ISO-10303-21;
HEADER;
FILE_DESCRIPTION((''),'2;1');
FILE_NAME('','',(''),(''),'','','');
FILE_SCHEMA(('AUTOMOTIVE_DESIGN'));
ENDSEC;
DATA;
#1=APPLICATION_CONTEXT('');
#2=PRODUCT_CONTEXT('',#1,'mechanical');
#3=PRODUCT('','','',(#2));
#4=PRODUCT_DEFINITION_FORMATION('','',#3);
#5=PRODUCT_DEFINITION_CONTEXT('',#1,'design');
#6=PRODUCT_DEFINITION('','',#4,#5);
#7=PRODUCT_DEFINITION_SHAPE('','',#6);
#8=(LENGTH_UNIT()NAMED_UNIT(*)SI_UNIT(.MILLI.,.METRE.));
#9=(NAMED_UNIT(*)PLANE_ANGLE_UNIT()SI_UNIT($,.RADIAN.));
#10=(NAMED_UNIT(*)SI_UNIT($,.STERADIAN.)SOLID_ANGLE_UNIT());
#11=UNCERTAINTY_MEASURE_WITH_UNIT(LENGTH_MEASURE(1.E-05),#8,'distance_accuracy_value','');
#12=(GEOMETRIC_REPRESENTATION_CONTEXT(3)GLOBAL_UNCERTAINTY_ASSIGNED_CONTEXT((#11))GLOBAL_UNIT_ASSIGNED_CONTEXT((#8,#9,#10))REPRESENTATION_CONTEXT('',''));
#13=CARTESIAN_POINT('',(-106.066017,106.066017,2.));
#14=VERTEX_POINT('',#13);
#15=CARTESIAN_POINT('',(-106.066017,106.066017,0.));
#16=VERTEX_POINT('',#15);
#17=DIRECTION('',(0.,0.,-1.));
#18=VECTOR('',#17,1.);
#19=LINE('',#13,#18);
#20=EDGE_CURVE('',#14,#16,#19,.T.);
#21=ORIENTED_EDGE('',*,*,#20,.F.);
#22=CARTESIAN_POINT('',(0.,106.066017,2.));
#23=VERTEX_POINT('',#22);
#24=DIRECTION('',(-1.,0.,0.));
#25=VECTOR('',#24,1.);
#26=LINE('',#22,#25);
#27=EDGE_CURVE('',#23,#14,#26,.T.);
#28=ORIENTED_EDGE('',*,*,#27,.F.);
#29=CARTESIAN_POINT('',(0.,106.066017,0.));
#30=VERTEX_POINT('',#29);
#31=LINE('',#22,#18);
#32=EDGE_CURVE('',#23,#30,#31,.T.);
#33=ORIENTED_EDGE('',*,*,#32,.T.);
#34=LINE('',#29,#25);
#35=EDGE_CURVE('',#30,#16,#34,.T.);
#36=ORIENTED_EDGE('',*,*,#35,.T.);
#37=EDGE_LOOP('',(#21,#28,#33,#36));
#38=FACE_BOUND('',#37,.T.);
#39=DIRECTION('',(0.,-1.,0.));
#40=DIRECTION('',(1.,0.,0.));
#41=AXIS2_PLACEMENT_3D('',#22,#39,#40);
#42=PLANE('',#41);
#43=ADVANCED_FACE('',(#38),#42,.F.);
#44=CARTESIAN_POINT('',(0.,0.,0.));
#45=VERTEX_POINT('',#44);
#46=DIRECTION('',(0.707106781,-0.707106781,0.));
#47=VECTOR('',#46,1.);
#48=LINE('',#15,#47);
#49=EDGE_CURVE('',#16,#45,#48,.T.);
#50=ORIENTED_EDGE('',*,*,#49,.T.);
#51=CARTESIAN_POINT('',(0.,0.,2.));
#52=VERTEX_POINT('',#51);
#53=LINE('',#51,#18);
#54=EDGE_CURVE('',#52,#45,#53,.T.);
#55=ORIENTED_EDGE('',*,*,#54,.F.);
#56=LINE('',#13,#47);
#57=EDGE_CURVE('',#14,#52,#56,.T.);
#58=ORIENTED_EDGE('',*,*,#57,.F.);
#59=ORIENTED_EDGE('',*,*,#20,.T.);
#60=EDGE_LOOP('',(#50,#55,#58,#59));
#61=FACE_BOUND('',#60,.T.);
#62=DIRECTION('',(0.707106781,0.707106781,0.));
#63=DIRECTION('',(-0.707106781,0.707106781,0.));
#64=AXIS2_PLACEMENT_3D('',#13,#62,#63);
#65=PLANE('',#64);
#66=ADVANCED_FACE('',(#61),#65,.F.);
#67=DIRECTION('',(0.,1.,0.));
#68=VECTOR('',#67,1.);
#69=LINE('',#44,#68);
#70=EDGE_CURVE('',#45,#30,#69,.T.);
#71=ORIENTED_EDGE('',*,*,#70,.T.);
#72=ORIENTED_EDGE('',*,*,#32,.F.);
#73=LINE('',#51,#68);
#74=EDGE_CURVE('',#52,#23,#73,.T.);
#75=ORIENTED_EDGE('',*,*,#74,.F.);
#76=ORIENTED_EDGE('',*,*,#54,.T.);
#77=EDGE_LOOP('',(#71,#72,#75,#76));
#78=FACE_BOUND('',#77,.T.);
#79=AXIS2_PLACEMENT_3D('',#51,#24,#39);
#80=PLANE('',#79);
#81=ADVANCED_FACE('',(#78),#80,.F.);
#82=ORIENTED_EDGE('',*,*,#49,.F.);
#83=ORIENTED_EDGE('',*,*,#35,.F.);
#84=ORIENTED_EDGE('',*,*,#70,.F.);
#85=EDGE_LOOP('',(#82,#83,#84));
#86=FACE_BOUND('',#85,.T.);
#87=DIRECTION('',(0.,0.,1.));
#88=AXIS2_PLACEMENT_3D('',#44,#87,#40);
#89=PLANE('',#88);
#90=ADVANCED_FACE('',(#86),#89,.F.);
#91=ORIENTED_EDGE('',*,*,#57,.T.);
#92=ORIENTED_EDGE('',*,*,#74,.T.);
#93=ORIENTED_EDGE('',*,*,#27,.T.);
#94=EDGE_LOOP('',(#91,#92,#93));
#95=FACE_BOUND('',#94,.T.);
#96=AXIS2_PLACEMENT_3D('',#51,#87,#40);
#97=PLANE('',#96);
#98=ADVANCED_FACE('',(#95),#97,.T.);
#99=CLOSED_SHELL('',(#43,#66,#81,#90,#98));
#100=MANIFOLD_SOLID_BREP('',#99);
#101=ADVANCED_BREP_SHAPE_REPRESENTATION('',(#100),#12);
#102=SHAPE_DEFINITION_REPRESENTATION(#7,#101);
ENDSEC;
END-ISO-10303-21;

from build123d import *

# Parameters (mm, degrees)
EXTRUDE_1_DEPTH = 2


with BuildPart() as part:
    # 草圖1 → 填料-伸長1 (new body)
    with BuildSketch(Plane.XY):
        Polygon((0, 0), (0, 106.066017178), (-106.066017178, 106.066017178), align=None)
    extrude(amount=EXTRUDE_1_DEPTH)


solid = part.part
